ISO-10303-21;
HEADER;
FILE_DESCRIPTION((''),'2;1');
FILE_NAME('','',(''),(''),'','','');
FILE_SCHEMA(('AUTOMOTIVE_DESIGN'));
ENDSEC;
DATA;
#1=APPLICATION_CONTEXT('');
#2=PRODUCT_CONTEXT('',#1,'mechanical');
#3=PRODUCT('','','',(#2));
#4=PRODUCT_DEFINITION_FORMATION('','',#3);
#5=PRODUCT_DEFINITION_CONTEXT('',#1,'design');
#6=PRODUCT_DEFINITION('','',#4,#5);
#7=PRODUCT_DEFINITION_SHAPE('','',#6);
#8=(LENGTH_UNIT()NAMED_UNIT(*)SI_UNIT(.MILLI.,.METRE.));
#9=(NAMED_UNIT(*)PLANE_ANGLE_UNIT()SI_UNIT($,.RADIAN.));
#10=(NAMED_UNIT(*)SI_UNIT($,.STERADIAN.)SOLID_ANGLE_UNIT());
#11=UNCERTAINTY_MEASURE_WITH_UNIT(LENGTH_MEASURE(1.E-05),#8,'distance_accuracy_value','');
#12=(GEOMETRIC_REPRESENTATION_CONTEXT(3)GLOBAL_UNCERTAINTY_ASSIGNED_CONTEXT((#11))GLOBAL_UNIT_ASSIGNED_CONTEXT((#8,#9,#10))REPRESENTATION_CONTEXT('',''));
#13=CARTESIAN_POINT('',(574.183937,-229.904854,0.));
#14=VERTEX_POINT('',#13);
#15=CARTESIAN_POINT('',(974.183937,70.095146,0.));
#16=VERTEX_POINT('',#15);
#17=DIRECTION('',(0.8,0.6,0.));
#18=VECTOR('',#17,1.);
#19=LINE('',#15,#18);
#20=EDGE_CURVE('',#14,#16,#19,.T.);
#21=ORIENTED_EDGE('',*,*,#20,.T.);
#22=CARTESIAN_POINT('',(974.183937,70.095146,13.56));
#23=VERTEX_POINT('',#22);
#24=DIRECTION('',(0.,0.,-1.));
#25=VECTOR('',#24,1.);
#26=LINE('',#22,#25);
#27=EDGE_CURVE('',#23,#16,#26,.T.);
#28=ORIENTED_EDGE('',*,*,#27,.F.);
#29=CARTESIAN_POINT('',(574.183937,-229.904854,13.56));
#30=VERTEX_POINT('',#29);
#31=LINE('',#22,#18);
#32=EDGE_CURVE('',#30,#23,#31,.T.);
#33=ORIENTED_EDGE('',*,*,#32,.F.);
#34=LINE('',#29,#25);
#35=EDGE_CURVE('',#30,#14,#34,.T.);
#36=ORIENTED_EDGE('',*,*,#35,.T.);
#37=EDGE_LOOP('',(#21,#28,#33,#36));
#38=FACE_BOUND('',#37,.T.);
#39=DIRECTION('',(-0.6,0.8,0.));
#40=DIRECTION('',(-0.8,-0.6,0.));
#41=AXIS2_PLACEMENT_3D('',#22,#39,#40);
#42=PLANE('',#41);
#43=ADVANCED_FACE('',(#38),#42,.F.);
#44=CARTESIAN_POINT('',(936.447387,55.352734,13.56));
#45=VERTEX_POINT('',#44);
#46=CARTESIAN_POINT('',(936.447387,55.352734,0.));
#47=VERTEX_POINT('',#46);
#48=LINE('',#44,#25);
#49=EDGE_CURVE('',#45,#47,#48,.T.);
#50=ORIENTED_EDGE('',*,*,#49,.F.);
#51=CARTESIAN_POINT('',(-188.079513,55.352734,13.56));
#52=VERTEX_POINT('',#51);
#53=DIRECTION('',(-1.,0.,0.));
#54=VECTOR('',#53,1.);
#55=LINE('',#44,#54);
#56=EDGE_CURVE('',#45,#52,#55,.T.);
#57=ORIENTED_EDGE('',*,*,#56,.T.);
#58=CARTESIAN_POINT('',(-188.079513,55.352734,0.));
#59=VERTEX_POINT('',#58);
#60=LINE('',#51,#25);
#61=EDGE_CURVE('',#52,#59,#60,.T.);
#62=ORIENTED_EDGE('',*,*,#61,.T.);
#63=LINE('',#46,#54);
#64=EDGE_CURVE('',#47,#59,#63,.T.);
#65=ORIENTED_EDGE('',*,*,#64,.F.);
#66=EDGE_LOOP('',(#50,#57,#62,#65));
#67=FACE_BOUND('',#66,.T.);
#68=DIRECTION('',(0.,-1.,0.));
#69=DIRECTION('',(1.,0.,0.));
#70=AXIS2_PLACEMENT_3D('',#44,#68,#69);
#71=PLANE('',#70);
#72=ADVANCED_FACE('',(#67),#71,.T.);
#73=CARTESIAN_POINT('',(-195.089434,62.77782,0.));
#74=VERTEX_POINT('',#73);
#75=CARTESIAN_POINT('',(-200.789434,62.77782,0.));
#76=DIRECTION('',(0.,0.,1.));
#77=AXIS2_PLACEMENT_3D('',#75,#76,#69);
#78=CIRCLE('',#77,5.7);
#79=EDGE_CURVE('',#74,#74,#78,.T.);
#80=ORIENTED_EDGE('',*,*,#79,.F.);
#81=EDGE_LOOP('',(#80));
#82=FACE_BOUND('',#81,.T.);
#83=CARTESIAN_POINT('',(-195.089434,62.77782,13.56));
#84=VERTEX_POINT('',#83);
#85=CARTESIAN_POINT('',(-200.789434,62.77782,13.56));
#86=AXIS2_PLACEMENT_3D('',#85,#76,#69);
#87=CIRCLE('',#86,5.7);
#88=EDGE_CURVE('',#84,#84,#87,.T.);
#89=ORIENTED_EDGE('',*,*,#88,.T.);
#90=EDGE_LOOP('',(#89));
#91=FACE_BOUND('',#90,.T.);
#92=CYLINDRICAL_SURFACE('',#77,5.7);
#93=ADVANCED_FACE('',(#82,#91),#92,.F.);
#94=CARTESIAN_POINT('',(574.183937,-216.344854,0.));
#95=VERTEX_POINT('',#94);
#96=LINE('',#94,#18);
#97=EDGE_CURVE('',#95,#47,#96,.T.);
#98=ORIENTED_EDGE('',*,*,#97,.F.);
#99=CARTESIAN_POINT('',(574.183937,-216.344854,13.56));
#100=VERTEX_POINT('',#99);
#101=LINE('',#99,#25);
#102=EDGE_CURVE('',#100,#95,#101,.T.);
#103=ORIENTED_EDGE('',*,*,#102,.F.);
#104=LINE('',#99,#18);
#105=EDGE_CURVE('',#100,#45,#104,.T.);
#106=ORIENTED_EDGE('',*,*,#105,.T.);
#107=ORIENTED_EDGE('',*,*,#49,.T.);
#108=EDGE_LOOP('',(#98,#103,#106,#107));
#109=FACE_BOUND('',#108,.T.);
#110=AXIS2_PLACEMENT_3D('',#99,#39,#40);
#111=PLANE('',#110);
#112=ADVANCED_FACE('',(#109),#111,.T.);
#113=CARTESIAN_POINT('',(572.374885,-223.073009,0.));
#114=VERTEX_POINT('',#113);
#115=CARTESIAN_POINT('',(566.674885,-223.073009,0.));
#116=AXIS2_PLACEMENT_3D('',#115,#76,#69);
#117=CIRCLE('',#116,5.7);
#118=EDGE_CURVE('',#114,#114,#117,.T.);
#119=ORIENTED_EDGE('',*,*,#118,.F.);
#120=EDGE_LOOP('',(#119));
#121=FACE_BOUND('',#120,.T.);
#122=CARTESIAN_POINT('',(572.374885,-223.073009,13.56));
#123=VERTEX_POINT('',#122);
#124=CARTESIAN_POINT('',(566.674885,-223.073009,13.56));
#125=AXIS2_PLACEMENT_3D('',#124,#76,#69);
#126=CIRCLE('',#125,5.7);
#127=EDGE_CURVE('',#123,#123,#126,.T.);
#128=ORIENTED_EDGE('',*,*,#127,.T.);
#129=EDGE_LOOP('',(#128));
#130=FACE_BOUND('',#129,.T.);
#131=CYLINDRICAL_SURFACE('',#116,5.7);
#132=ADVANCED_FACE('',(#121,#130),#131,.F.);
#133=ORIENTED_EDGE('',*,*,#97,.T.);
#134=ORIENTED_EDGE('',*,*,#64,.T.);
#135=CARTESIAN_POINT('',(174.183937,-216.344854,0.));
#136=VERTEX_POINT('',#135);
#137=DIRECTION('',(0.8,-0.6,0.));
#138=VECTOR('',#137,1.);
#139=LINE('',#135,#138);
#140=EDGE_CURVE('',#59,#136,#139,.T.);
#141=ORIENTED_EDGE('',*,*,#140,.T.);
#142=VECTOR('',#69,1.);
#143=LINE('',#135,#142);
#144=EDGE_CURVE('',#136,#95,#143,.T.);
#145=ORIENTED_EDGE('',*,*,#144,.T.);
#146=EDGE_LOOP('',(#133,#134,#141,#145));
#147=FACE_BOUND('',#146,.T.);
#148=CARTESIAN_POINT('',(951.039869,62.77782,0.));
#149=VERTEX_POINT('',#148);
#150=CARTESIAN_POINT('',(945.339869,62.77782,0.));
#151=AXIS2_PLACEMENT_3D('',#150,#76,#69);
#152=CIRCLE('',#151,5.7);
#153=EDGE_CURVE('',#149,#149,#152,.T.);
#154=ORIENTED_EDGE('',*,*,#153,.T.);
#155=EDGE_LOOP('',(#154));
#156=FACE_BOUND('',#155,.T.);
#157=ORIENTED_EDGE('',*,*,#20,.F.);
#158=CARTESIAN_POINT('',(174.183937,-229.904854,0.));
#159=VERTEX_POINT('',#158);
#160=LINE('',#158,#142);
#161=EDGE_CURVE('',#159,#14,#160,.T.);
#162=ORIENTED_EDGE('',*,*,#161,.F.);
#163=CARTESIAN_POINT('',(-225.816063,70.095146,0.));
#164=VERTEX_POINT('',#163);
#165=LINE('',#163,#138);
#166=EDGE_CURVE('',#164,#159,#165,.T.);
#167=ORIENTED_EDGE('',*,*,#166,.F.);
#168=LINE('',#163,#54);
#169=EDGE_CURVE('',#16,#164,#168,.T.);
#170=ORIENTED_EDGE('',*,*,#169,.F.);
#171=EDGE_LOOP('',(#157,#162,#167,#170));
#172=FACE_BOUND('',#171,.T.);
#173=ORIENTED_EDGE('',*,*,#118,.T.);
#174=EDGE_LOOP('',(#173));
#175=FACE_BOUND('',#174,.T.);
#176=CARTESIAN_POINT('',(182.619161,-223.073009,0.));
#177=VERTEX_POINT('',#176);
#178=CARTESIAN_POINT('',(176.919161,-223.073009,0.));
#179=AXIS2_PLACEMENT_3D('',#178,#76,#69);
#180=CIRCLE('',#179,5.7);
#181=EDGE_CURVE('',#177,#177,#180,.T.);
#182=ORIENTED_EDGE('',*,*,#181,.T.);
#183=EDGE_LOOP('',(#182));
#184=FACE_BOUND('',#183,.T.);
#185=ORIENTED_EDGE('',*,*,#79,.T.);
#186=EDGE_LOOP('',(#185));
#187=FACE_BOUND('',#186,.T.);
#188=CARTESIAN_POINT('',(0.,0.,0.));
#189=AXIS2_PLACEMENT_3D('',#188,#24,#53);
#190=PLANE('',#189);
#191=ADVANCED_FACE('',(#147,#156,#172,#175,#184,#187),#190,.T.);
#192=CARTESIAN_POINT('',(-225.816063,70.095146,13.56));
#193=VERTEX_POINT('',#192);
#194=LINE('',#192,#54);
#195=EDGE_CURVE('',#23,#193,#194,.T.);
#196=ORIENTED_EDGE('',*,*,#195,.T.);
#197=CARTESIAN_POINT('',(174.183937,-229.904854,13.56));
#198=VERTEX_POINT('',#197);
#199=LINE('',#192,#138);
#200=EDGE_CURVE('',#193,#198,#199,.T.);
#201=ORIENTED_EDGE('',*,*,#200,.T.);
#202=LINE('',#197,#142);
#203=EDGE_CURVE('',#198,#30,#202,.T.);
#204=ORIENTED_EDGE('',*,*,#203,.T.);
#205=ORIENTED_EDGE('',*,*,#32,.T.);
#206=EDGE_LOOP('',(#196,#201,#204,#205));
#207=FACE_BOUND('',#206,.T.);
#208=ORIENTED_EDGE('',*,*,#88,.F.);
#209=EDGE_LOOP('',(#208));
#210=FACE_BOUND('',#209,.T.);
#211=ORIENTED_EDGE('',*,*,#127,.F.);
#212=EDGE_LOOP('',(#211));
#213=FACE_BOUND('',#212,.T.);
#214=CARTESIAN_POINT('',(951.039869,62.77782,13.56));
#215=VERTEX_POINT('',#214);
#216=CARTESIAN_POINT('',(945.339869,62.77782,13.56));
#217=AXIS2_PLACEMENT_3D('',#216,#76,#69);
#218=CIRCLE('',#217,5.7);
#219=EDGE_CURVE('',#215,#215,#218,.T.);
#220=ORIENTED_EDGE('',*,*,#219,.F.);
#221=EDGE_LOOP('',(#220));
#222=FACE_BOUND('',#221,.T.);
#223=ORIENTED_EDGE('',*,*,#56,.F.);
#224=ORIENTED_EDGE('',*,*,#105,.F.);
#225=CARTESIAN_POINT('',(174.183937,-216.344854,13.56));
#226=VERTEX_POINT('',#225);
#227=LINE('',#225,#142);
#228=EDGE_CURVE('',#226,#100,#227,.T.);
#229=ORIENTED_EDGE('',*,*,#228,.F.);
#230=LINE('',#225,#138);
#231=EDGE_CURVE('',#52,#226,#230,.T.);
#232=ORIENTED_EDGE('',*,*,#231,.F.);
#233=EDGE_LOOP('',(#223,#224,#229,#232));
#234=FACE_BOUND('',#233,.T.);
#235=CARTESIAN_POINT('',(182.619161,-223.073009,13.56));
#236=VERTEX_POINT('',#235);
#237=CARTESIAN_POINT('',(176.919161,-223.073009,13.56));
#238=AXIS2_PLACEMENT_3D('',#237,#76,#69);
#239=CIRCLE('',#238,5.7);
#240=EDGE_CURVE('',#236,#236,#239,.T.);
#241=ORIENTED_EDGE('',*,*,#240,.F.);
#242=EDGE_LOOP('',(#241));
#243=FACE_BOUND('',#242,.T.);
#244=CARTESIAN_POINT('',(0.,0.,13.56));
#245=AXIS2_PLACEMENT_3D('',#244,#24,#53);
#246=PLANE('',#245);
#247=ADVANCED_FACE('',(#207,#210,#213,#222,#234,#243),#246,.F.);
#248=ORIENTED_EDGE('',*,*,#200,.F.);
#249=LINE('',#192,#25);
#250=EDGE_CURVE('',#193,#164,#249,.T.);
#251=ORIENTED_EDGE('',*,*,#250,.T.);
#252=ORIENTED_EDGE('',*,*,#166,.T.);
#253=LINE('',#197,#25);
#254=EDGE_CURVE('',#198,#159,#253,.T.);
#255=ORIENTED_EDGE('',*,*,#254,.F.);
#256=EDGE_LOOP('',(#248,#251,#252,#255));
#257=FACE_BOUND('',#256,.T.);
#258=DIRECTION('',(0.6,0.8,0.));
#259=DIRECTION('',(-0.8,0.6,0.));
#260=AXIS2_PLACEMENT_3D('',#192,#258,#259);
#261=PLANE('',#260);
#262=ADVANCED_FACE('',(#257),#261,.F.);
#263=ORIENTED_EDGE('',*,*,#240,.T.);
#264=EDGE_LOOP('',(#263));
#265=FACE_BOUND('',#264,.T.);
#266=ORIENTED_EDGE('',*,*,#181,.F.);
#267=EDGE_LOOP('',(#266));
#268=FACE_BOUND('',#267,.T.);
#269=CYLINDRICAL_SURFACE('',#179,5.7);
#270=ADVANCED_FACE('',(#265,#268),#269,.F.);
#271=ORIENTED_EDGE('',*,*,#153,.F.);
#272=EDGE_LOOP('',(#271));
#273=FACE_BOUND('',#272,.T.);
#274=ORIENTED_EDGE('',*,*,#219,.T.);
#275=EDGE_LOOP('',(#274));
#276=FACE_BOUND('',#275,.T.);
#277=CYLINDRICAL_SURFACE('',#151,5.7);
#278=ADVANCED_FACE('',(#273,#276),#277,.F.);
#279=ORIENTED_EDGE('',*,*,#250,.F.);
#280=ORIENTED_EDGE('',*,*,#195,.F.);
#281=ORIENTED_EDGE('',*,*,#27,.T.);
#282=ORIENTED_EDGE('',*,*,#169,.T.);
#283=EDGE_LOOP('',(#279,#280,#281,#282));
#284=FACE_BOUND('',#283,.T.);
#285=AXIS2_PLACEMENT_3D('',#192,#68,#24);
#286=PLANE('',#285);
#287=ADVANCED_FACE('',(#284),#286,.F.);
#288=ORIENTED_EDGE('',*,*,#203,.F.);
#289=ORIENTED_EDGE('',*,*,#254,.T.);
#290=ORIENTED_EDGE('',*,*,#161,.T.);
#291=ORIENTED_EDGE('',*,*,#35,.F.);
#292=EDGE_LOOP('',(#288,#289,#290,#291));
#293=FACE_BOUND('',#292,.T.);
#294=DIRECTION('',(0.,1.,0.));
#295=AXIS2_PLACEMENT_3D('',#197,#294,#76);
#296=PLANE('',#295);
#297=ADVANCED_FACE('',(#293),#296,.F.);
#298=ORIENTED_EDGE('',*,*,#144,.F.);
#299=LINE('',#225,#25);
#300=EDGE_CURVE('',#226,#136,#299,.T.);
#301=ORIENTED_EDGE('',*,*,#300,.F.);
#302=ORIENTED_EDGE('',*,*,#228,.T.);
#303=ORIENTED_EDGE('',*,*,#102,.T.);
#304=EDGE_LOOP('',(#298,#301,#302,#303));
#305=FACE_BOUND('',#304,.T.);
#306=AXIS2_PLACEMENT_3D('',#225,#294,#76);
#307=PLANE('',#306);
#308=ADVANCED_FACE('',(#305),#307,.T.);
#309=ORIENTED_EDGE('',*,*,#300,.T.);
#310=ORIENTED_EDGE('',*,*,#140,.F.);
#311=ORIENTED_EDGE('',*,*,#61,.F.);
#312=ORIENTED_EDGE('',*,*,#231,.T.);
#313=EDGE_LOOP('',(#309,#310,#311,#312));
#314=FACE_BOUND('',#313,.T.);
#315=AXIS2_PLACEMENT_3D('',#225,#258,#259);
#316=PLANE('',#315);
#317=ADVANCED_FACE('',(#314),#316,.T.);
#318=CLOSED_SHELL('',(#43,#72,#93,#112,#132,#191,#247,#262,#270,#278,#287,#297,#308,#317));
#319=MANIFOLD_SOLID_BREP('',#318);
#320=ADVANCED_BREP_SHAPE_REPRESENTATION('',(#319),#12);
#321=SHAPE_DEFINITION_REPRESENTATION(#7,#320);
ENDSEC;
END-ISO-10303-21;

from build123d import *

# Parameters (mm, degrees)
BOSS_EXTRUDE2_DEPTH = 13.56
SKETCH5_R           = 5.7
CUT_EXTRUDE1_DEPTH  = 1002.036692109


with BuildPart() as part:
    # Sketch4 → Boss-Extrude2 (new body)
    with BuildSketch(Plane.XY):
        Polygon((-225.81606276, 70.095146264), (974.18393724, 70.095146264), (574.18393724, -229.904853736), (174.18393724, -229.904853736), align=None)
        Polygon((574.18393724, -216.344853736), (936.447387254, 55.352733774), (-188.079512773, 55.352733774), (174.18393724, -216.344853736), align=None, mode=Mode.SUBTRACT)
    extrude(amount=BOSS_EXTRUDE2_DEPTH)

    # Sketch5 → Cut-Extrude1 (cut, through all)
    with BuildSketch(Plane.XY.offset(13.56)):
        with Locations((945.339868666, 62.77782)):
            Circle(SKETCH5_R)
        with Locations((-200.789433704, 62.77782)):
            Circle(SKETCH5_R)
        with Locations((176.91916089, -223.073008716)):
            Circle(SKETCH5_R)
        with Locations((566.674885297, -223.073008716)):
            Circle(SKETCH5_R)
    extrude(amount=-CUT_EXTRUDE1_DEPTH, mode=Mode.SUBTRACT)


solid = part.part
